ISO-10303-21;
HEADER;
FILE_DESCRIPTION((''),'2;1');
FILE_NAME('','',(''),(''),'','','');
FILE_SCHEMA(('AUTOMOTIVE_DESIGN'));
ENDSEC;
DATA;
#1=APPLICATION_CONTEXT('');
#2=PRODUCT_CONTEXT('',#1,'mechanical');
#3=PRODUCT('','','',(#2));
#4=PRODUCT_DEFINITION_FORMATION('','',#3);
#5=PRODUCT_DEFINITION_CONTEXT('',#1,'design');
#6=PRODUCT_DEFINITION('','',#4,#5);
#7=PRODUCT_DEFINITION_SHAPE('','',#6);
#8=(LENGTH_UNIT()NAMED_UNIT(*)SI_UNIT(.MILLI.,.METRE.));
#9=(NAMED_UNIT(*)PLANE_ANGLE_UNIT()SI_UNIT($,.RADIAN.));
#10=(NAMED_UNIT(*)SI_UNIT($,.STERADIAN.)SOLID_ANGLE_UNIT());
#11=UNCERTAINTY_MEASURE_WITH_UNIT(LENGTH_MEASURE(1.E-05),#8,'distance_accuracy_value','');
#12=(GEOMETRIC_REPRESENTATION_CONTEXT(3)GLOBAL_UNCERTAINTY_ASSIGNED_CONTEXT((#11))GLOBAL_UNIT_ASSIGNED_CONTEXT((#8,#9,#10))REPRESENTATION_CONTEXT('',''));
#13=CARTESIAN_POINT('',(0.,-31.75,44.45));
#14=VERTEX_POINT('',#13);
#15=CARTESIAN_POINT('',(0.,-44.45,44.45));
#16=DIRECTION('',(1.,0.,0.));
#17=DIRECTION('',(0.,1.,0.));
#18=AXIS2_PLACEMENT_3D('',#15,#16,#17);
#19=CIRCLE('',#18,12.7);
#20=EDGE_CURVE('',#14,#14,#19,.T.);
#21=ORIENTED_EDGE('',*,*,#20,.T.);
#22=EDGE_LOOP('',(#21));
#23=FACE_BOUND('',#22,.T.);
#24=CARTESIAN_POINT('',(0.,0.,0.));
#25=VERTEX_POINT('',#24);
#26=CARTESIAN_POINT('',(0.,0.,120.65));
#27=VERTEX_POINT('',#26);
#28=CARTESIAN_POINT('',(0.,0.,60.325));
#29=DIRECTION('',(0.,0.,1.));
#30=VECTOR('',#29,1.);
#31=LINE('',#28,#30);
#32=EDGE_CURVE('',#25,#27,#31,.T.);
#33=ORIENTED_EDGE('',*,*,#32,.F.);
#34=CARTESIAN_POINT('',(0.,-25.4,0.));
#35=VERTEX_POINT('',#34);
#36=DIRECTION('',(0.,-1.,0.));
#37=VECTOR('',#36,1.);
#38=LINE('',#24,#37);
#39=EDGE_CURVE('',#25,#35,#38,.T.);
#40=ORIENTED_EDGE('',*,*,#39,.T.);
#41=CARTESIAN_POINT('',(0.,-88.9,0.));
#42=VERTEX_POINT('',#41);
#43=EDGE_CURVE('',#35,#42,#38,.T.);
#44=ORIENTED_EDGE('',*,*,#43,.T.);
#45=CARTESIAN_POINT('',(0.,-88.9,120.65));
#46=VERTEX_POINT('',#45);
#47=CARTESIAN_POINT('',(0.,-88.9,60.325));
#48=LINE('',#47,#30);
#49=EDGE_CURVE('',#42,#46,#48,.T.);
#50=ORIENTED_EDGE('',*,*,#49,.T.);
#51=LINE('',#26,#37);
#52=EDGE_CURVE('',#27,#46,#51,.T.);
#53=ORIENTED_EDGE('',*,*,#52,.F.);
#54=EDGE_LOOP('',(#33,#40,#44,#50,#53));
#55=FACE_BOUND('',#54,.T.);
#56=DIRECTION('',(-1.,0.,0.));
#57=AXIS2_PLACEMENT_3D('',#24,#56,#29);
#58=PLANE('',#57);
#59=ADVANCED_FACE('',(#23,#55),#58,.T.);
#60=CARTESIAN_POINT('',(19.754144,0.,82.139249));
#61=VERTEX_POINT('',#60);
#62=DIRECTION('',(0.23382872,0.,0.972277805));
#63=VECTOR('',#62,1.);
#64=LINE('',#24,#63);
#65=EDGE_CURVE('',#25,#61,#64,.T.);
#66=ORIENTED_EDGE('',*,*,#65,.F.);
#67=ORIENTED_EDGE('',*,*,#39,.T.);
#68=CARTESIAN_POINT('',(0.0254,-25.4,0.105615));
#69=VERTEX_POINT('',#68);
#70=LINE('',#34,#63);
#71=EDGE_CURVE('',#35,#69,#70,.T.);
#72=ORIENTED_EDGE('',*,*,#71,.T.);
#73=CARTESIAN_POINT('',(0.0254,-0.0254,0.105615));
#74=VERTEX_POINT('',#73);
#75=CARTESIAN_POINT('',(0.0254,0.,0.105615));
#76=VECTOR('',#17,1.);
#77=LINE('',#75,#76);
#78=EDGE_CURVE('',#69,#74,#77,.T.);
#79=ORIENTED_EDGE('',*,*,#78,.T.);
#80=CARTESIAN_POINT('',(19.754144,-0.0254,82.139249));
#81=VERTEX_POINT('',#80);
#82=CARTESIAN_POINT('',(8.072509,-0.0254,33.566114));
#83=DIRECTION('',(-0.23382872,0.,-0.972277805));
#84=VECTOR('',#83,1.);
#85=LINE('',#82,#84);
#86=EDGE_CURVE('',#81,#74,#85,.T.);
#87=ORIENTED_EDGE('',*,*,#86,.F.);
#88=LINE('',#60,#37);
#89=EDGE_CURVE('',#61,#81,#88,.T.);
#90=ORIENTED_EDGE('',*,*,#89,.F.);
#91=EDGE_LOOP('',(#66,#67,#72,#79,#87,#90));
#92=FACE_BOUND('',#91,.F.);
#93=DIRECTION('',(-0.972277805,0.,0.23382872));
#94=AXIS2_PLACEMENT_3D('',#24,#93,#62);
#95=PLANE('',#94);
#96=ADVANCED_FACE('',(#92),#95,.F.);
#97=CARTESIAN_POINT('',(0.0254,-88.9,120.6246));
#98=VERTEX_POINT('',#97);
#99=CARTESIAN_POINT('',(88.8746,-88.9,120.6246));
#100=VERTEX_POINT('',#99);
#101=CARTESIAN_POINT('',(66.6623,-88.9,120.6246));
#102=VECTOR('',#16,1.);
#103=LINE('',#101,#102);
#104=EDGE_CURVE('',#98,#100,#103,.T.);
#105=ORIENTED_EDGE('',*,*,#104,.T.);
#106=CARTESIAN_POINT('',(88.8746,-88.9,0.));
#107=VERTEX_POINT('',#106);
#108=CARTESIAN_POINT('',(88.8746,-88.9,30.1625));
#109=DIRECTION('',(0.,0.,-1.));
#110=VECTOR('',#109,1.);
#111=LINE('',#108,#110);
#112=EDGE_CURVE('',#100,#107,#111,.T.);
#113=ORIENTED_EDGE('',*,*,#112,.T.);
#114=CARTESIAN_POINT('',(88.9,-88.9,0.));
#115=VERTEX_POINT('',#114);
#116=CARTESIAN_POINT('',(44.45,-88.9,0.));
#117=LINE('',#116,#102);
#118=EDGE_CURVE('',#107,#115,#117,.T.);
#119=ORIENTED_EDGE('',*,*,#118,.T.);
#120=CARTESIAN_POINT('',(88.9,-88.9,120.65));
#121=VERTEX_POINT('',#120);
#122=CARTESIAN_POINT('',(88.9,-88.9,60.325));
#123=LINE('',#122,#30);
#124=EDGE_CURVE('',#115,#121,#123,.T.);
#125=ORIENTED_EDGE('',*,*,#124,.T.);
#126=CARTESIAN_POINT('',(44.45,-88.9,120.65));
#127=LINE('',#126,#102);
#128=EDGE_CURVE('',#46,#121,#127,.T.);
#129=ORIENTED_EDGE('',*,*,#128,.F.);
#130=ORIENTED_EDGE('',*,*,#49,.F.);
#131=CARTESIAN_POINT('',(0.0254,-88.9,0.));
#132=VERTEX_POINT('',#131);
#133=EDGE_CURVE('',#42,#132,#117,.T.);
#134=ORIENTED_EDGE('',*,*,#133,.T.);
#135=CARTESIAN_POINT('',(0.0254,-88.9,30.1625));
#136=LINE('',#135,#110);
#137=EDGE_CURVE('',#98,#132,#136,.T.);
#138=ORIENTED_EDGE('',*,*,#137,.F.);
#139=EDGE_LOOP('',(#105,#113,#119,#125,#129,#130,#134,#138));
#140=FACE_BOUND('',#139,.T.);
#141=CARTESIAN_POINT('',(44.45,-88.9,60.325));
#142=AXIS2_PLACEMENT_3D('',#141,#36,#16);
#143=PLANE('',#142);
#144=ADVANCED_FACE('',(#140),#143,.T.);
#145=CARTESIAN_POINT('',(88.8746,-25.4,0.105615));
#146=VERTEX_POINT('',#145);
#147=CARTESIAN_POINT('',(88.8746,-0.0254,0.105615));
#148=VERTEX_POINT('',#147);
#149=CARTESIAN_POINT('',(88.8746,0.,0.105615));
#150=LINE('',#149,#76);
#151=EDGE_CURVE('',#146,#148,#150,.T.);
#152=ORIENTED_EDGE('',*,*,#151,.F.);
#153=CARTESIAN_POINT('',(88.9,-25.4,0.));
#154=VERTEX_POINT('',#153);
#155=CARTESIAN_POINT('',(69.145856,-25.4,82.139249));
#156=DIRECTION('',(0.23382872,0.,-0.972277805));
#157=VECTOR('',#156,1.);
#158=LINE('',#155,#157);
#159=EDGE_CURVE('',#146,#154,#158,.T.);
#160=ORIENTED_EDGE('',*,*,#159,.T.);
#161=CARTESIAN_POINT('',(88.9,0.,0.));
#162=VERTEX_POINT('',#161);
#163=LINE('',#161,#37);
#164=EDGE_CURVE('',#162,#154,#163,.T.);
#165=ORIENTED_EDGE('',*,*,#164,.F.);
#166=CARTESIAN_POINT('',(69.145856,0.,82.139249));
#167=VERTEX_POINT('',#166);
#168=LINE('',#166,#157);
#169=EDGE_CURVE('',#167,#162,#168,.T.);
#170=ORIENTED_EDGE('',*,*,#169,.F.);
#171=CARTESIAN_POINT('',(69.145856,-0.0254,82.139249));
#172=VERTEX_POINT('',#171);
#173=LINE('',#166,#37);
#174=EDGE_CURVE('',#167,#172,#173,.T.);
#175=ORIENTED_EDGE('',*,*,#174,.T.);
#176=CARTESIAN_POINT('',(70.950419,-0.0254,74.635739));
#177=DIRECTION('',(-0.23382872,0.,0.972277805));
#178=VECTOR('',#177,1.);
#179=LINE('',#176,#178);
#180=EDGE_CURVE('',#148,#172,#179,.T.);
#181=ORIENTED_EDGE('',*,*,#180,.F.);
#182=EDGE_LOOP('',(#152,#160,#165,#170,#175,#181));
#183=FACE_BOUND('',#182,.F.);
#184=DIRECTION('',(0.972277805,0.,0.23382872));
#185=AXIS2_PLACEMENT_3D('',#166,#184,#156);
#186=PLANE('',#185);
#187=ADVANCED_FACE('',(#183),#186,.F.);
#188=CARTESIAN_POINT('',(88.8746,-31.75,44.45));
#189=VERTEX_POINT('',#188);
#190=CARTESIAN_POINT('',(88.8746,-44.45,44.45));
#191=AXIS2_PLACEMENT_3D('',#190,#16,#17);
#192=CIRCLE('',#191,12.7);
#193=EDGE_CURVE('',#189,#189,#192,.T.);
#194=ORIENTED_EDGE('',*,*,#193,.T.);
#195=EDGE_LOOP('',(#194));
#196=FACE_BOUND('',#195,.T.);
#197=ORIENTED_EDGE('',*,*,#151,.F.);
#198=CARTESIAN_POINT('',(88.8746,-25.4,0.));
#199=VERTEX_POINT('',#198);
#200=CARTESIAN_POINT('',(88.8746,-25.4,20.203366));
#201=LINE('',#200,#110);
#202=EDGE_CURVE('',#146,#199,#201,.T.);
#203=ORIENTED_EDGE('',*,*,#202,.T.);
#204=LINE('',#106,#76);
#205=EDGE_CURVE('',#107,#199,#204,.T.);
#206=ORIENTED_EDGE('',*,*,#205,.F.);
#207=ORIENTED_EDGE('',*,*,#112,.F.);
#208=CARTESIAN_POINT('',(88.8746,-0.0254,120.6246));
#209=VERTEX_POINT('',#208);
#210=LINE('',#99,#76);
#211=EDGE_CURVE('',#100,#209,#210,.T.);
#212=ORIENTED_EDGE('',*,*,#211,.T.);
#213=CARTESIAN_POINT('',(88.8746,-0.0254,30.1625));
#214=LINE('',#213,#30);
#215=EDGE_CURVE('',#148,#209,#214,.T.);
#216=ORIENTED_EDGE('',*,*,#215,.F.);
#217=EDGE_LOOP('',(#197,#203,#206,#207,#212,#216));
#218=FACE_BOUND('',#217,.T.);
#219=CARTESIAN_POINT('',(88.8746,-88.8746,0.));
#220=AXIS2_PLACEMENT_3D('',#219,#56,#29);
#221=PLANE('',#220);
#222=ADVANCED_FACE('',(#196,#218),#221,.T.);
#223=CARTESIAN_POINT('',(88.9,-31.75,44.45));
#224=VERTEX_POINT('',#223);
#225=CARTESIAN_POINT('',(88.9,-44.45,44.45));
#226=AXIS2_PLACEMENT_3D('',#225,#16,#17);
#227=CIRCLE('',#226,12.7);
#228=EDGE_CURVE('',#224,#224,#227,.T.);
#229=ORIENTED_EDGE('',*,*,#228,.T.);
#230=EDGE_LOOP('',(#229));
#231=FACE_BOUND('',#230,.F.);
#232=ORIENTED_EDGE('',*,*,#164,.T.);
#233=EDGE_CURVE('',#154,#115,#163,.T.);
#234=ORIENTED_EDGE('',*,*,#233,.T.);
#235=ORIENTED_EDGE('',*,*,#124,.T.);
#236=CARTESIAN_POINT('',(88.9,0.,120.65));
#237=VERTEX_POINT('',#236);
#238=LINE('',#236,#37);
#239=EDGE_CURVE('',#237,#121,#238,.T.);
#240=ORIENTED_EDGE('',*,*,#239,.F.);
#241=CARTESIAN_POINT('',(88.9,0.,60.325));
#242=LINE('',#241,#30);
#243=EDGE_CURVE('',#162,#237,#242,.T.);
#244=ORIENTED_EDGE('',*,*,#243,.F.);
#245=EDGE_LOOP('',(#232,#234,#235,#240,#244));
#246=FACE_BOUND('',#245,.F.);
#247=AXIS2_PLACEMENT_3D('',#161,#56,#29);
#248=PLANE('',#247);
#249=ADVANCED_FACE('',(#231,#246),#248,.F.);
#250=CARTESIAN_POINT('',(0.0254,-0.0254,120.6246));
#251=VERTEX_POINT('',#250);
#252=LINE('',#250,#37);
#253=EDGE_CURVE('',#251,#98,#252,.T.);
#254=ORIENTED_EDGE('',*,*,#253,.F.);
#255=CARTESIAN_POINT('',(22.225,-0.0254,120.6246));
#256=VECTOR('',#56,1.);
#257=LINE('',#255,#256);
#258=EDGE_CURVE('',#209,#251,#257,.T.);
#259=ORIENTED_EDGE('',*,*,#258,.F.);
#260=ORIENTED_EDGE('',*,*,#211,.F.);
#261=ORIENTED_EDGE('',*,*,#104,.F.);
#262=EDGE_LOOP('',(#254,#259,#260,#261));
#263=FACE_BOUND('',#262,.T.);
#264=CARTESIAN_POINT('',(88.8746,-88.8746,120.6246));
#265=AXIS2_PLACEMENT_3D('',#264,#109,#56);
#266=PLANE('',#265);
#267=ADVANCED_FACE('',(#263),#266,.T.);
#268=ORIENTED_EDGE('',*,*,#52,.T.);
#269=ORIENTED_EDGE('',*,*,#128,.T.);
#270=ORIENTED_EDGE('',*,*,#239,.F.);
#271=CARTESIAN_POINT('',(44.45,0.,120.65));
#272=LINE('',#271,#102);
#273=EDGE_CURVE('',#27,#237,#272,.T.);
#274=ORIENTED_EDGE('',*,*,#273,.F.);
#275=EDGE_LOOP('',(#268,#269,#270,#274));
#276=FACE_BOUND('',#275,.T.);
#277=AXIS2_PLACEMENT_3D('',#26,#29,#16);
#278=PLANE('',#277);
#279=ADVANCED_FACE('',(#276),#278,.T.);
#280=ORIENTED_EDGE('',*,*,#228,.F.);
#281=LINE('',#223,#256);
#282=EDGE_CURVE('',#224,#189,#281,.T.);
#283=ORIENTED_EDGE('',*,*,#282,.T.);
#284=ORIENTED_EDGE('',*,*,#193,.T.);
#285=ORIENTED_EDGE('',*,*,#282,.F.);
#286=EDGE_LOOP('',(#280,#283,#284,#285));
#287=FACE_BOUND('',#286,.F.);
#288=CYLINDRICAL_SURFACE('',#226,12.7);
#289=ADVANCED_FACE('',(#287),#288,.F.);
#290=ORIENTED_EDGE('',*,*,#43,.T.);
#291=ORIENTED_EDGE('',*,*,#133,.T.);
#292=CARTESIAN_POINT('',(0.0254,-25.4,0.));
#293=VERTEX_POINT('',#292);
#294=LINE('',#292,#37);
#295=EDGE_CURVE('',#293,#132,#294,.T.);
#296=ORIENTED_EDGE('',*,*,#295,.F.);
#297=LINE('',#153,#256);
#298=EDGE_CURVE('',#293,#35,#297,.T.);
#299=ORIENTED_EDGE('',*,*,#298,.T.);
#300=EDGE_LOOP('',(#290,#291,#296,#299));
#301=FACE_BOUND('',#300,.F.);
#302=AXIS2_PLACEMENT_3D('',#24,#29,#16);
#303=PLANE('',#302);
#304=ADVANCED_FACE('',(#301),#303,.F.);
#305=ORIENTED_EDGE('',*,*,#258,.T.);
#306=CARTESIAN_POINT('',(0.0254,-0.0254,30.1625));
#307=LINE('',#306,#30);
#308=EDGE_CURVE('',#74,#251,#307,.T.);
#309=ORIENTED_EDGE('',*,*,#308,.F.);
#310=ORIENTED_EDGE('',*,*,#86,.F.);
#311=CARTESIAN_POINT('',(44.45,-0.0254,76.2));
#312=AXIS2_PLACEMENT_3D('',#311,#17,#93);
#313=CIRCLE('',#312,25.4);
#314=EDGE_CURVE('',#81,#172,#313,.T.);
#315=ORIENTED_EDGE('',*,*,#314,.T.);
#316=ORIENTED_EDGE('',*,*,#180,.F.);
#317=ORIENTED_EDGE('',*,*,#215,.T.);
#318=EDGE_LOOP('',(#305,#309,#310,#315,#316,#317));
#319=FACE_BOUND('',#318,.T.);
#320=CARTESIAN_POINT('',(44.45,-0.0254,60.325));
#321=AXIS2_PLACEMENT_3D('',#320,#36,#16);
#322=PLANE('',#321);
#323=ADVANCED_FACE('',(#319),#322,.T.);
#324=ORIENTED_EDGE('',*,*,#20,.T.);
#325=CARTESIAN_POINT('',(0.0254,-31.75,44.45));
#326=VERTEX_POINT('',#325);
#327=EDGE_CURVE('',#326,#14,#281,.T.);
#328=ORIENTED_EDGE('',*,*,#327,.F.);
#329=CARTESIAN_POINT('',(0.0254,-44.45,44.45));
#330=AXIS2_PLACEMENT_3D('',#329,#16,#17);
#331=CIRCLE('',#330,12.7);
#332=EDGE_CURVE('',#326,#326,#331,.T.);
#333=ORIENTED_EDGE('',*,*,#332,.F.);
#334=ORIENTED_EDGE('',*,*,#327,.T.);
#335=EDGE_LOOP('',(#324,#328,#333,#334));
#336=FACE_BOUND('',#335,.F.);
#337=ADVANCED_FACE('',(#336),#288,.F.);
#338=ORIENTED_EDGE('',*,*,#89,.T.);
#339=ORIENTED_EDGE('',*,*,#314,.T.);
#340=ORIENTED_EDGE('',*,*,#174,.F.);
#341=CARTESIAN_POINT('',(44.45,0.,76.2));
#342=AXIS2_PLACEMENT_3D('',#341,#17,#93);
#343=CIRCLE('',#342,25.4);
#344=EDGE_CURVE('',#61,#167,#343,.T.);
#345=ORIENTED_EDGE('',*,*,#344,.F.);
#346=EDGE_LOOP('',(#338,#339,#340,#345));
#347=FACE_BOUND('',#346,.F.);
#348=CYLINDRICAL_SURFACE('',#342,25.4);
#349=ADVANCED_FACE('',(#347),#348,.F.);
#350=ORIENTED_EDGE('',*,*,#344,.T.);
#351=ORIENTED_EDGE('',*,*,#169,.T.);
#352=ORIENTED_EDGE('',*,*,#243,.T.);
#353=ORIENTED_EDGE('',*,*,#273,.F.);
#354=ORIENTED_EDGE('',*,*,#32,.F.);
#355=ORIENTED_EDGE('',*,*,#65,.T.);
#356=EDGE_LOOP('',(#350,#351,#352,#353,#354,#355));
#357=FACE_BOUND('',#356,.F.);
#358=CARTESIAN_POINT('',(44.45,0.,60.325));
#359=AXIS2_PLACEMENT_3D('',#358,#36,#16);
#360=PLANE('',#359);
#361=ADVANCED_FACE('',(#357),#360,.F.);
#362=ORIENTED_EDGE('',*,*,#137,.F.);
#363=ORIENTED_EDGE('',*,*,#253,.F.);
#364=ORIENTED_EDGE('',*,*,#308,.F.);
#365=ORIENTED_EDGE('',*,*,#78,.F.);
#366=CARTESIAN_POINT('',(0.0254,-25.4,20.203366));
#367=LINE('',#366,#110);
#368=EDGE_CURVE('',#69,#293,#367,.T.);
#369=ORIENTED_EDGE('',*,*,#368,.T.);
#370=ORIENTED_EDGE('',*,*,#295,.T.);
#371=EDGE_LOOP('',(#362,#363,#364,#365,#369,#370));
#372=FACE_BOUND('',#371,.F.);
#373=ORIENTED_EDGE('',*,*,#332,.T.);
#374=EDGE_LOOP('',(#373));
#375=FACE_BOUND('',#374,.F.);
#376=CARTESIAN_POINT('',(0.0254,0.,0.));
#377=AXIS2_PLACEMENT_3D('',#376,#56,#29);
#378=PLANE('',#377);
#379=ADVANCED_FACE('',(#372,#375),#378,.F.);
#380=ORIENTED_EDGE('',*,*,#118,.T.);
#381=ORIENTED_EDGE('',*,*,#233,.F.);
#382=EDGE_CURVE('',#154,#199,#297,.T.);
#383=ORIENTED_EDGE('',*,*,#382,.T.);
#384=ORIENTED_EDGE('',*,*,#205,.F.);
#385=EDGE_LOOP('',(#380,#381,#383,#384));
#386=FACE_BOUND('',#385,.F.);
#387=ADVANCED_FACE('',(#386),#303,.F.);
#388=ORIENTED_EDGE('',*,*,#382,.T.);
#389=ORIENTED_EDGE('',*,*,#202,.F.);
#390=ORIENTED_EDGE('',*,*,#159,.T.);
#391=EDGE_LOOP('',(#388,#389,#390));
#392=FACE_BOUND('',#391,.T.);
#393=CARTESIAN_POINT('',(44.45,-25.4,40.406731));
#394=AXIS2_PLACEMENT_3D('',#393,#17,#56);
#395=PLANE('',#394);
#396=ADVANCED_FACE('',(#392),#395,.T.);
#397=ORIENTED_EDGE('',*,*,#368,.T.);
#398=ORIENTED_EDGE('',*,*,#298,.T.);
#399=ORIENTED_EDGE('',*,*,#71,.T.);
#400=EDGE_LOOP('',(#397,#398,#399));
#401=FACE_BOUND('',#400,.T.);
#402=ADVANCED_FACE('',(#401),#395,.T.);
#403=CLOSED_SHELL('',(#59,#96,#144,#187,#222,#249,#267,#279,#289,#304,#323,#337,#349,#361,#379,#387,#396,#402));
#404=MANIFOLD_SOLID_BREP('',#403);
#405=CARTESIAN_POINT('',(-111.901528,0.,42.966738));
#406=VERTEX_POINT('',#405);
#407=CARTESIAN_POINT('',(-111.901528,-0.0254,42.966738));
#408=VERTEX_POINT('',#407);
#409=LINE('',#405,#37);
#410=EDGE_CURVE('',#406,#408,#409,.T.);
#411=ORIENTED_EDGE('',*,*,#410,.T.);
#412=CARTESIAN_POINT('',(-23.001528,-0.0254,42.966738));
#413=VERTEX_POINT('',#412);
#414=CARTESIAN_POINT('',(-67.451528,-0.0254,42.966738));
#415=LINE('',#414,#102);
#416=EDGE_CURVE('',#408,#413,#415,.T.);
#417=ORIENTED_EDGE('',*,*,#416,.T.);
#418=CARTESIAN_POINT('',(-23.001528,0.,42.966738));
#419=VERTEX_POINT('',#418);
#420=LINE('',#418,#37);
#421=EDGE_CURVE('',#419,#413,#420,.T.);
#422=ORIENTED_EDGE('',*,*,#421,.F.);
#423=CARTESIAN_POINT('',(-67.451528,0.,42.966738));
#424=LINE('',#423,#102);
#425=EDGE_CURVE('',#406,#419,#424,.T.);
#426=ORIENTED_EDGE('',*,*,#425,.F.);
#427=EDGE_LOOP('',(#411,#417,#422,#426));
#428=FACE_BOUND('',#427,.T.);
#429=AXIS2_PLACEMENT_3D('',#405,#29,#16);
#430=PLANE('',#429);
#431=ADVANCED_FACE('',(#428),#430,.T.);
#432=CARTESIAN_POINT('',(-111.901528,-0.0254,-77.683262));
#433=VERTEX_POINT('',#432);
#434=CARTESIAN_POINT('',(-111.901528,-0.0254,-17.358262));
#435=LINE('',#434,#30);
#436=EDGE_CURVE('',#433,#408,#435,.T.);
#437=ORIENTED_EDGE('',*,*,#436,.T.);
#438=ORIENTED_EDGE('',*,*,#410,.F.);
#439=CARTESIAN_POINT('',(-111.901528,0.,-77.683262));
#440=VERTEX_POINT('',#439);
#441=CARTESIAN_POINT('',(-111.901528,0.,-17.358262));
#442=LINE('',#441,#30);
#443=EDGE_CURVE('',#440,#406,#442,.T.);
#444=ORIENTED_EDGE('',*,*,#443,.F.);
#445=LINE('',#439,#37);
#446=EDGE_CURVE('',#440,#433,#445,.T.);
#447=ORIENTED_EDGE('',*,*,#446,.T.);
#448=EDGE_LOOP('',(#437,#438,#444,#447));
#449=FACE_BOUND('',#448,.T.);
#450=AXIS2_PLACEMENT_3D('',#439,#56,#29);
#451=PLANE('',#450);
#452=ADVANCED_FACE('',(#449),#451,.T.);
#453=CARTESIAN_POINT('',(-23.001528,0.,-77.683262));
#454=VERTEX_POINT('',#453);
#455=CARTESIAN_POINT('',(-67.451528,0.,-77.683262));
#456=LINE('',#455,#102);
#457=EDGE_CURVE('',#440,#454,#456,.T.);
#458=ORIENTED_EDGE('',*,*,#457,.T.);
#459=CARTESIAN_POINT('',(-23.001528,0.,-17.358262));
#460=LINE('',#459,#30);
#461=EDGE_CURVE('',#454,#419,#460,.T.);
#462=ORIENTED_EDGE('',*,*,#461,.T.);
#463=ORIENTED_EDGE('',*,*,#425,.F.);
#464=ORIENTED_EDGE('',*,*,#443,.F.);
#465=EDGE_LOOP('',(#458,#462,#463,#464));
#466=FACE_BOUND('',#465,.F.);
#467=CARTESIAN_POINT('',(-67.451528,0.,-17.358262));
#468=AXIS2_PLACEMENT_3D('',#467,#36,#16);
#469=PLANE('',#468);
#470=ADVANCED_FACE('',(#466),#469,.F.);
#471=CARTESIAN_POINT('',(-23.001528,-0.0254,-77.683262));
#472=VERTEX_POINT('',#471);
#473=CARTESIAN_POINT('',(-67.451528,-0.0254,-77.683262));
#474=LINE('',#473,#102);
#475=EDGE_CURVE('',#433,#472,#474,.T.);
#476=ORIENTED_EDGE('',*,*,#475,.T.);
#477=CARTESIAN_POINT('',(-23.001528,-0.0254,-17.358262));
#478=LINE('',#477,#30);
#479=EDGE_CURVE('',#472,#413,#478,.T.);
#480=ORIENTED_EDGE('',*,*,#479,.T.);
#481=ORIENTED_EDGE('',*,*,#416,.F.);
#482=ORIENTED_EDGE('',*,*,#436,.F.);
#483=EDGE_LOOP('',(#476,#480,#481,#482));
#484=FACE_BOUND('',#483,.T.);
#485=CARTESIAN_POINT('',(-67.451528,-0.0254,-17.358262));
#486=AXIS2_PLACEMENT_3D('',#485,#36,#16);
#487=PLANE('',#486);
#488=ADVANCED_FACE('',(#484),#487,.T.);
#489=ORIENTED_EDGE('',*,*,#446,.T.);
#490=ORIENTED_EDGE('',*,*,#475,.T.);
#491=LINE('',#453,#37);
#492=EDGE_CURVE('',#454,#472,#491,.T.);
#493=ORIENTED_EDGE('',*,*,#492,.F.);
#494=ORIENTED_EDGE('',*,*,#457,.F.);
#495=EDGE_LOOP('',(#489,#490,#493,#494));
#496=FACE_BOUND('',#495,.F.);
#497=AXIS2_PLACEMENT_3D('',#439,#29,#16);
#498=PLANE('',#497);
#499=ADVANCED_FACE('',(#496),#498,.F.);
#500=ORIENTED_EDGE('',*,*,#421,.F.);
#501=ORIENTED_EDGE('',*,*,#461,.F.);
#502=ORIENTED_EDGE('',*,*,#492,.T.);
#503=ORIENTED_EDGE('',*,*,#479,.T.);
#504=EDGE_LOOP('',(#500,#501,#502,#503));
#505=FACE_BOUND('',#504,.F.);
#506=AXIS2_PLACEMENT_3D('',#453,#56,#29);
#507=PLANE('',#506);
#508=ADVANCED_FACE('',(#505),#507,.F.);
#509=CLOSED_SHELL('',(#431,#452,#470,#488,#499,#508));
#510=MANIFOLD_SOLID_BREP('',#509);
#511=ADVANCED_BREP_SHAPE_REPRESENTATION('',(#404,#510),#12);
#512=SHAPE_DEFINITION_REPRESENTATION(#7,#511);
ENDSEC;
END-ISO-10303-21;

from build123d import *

# Parameters (mm, degrees)
F0_W      = 88.9
F0_H      = 120.65
F1_DEPTH  = 88.9
F3_T      = -0.0254
F4_DEPTH  = 25.4
F5_R      = 12.7
F6_DEPTH  = 127
F7_W      = 88.8492
F7_H      = 120.6246
F8_DEPTH  = 12.7
F9_W      = 88.9
F9_H      = 120.65
F10_DEPTH = 0.0254


with BuildPart() as f1:
    # F0 (on Front) → F1 (new body)
    with BuildSketch(Plane.XZ):
        with Locations((44.45, 60.325)):
            Rectangle(F0_W, F0_H)
    extrude(amount=F1_DEPTH)

    # F3
    f3_openings = [f1.faces().sort_by_distance(p)[0] for p in [
        (44.45, -44.45, 0),
    ]]
    offset(amount=F3_T, openings=f3_openings)

    # F2 (on face) → F4 (cut)
    with BuildSketch(Plane(origin=(0, 0, 0), x_dir=(-1, 0, 0), z_dir=(0, 1, 0))):
        with BuildLine():
            Line((-88.9, 0), (0, 0))
            Line((0, 0), (-19.7541437553, 82.1392494761))
            ThreePointArc((-19.7541437553, 82.1392494761), (-44.45, 101.6), (-69.1458562447, 82.1392494761))
            Line((-69.1458562447, 82.1392494761), (-88.9, 0))
        make_face()
    extrude(amount=-F4_DEPTH, mode=Mode.SUBTRACT)

    # F5 (on face) → F6 (cut)
    with BuildSketch(Plane.YZ.offset(88.9)):
        with Locations((-44.45, 44.45)):
            Circle(F5_R)
    extrude(amount=-F6_DEPTH, mode=Mode.SUBTRACT)

    # F7 (on face) → F8 (cut)
    with BuildSketch(Plane(origin=(0, -88.8746, 0), x_dir=(-1, 0, 0), z_dir=(0, 1, 0))):
        with Locations((-44.45, 60.3123)):
            Rectangle(F7_W, F7_H)
    extrude(amount=-F8_DEPTH, mode=Mode.SUBTRACT)


with BuildPart() as f10:
    # F9 (on Front) → F10 (new body)
    with BuildSketch(Plane.XZ):
        with Locations((-67.4515275559, -17.3582615852)):
            Rectangle(F9_W, F9_H)
    extrude(amount=F10_DEPTH)


solid = Compound([f1.part, f10.part])
